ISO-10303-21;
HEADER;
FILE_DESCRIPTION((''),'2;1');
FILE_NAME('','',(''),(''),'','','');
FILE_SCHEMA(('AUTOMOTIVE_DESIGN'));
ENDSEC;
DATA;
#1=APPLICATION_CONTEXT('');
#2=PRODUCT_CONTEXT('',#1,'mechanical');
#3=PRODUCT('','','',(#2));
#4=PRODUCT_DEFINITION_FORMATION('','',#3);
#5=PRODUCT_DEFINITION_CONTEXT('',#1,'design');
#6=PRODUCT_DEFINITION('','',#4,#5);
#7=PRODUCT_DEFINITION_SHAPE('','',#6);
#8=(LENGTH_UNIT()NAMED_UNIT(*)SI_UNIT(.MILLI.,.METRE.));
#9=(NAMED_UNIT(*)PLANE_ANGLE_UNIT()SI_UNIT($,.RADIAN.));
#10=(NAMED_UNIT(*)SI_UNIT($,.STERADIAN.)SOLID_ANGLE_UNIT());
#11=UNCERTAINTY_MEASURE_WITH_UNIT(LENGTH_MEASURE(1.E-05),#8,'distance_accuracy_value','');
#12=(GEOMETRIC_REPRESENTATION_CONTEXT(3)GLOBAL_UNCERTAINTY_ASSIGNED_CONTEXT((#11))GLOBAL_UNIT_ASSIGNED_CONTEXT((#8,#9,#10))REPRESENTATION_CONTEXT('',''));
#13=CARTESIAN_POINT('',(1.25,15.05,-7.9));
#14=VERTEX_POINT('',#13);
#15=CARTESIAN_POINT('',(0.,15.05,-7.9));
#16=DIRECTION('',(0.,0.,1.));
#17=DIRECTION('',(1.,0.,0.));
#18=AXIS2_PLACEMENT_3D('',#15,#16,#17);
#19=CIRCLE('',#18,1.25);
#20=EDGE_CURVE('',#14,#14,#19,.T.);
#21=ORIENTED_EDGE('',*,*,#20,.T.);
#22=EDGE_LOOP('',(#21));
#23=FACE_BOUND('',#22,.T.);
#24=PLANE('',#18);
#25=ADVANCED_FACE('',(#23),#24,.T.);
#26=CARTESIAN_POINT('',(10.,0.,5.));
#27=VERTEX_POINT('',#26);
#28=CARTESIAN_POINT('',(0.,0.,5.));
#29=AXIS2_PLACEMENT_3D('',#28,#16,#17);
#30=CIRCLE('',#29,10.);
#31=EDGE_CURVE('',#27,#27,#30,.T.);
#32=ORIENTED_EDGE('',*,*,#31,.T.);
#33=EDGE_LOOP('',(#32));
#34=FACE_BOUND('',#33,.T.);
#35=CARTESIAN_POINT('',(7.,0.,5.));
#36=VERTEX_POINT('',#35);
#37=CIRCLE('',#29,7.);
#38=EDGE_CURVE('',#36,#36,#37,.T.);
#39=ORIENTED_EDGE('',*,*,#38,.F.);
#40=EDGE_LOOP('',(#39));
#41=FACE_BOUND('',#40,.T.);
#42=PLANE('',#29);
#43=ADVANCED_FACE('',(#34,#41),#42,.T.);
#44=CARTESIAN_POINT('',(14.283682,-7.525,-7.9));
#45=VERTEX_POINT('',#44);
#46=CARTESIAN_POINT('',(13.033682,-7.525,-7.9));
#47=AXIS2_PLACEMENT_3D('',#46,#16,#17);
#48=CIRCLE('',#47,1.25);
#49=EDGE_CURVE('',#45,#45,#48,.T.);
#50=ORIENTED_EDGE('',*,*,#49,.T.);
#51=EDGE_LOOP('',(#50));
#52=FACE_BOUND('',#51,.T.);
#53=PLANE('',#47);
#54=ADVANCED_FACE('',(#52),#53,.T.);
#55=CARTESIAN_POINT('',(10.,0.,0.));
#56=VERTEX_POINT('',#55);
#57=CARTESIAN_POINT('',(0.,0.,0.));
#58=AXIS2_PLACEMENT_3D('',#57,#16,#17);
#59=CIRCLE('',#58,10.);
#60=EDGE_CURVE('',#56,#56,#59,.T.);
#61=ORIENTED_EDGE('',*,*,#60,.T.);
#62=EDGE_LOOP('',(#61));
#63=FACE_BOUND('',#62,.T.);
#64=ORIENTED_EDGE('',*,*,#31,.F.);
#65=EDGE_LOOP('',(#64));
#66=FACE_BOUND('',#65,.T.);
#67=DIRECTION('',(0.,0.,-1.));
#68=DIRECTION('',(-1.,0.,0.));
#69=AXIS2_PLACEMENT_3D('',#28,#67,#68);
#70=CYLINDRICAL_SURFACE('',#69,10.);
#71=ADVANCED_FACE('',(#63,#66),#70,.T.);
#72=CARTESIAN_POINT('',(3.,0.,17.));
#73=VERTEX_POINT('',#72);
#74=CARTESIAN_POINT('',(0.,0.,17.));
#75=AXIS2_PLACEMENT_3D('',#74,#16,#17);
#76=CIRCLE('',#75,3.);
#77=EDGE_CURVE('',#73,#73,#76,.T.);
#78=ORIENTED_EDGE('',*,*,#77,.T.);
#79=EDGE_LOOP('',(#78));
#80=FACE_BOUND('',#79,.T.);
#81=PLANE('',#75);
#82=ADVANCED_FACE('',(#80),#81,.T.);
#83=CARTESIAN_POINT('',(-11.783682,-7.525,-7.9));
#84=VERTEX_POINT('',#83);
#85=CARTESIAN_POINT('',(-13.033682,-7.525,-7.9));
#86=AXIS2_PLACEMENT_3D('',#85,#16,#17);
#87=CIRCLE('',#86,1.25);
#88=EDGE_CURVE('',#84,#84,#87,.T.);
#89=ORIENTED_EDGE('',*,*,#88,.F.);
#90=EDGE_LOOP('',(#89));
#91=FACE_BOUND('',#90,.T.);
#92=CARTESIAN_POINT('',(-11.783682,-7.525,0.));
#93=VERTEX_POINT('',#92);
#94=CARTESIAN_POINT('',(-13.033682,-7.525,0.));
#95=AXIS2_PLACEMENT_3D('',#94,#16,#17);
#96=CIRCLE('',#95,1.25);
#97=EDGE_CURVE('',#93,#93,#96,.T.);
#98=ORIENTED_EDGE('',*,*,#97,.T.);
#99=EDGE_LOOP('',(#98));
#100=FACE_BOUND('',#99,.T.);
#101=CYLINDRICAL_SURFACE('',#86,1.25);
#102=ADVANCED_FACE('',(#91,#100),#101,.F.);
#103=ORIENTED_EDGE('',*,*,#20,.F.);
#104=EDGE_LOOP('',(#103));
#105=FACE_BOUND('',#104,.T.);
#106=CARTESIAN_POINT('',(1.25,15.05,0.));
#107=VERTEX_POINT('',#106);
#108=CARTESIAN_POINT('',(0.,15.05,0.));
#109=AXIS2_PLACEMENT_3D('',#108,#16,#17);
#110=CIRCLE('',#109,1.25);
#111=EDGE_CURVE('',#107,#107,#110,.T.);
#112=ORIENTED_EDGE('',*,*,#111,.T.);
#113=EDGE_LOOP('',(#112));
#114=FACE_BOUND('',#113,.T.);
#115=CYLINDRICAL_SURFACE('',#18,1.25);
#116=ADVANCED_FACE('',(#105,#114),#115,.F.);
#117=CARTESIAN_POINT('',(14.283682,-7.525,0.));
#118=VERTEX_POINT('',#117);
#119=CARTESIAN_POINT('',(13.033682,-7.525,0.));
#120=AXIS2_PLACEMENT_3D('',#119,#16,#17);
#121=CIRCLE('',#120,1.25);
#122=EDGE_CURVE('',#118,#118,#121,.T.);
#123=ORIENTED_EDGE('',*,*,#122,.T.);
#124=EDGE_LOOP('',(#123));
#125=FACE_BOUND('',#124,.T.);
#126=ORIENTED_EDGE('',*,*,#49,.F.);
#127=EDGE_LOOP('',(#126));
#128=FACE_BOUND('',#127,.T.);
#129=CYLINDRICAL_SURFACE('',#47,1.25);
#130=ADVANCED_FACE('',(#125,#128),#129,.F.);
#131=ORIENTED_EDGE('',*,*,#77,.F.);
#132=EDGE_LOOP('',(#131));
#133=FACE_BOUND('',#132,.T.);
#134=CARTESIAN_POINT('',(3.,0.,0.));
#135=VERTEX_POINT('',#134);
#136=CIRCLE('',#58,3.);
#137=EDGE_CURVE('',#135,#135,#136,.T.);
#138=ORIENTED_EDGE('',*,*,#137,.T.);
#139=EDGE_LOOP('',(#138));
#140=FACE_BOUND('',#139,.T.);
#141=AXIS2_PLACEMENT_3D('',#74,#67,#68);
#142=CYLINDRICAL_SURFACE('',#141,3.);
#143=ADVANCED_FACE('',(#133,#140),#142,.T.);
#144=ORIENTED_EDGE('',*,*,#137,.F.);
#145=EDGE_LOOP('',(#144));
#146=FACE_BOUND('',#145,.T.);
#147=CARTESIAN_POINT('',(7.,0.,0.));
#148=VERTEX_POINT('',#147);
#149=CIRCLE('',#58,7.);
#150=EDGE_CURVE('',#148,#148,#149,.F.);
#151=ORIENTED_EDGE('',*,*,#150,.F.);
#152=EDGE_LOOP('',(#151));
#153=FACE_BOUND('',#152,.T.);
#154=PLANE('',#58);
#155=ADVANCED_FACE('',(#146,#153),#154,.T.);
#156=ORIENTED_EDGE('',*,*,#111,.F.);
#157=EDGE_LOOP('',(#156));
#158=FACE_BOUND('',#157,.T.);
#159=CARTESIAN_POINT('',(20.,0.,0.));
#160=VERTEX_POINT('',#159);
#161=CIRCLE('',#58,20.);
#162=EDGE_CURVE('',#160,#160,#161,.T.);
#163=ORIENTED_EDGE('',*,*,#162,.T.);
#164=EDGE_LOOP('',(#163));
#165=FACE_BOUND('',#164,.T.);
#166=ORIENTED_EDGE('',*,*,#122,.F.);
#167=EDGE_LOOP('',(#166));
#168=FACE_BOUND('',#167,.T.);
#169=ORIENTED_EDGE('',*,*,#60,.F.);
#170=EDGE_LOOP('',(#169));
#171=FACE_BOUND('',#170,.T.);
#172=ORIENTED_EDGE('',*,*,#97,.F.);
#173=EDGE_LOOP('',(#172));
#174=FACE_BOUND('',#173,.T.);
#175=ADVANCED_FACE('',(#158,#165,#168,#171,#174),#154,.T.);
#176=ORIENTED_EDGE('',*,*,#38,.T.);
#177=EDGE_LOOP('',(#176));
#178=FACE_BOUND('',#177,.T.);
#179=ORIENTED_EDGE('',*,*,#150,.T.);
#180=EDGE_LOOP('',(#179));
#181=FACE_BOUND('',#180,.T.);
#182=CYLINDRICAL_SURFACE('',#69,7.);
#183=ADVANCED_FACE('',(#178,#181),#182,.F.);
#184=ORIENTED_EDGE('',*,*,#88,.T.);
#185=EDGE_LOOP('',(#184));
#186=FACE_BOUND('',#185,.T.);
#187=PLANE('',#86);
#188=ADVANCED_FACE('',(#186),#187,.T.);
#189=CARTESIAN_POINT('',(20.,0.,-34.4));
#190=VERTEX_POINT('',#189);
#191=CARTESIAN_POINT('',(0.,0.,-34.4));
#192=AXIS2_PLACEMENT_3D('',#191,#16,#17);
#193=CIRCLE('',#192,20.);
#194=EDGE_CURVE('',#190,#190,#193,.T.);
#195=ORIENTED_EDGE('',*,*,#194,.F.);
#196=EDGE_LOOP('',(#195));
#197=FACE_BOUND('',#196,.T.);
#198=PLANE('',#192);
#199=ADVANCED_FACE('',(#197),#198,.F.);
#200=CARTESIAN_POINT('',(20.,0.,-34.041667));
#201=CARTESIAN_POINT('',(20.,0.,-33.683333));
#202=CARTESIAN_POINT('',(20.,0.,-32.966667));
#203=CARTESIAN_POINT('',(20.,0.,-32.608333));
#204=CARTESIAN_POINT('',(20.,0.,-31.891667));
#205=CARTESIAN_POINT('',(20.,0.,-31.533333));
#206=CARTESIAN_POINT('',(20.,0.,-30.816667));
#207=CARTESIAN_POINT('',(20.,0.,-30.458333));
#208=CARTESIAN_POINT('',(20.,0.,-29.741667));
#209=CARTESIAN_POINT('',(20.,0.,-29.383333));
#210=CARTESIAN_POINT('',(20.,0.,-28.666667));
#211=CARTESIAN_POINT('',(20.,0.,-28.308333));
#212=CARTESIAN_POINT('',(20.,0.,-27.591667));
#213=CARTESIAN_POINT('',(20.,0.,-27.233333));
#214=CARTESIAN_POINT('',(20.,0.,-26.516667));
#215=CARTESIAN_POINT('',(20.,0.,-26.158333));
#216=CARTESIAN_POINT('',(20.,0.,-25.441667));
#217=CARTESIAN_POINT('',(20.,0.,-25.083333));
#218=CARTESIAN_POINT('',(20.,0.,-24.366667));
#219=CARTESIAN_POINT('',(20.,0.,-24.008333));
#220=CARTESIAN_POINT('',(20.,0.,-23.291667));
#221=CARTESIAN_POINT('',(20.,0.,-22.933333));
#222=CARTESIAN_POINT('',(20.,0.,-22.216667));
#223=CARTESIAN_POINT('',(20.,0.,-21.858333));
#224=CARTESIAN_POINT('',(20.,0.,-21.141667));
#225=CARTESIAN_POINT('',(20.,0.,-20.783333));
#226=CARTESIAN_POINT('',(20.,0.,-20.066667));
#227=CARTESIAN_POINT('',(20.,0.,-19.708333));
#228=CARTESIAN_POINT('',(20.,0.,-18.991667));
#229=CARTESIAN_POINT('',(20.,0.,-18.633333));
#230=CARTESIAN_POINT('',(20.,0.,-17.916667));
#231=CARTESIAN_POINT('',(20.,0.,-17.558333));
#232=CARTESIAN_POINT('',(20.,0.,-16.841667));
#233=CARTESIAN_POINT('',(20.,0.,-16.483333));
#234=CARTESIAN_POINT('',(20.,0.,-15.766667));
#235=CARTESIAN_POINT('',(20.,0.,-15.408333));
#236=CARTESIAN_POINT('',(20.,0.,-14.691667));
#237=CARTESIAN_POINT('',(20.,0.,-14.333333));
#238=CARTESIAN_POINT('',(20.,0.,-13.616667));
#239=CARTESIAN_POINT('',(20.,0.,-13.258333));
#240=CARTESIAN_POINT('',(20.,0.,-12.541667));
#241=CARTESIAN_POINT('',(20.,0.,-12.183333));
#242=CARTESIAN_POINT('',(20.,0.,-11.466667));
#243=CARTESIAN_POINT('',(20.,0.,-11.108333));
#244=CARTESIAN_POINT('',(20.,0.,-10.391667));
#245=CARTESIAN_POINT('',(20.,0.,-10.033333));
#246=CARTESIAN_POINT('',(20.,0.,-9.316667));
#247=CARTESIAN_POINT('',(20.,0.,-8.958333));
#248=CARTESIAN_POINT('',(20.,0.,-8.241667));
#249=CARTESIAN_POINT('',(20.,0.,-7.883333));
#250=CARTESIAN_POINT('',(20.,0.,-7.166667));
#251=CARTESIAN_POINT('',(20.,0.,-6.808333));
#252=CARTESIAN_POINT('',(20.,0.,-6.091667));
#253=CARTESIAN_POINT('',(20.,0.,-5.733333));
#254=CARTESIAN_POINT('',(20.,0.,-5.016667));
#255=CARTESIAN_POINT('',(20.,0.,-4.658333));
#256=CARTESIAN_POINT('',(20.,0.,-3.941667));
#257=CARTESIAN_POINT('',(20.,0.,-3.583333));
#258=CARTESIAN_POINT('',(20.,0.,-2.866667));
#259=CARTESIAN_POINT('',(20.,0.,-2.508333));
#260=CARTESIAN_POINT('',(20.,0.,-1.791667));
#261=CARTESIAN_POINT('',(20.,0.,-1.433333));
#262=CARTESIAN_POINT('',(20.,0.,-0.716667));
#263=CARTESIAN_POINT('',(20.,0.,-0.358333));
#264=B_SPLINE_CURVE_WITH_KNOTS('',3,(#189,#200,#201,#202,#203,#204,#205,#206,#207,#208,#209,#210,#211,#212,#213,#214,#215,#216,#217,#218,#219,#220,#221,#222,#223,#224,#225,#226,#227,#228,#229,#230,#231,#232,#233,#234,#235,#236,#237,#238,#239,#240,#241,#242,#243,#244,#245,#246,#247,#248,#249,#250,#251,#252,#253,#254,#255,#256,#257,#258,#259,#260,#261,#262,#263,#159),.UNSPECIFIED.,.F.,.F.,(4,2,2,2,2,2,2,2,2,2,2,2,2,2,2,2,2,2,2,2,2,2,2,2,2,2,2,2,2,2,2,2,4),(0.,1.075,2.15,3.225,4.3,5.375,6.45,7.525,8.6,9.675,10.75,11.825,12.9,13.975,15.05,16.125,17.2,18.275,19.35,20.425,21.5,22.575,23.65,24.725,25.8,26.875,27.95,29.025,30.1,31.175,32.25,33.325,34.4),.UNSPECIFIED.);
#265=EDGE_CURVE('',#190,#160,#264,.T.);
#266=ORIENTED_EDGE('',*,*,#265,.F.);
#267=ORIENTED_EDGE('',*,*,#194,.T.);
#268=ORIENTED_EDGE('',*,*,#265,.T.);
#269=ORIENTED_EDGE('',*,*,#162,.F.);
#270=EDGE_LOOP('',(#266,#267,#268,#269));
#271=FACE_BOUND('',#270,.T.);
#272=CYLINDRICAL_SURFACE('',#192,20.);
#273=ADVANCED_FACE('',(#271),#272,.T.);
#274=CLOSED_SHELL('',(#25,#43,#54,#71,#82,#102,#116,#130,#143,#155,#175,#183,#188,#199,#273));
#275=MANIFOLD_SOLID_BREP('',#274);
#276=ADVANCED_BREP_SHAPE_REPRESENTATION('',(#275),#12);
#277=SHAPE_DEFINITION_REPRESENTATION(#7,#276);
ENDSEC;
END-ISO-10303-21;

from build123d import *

# Parameters (mm, degrees)
ESQUISSE1_R             = 20
BOSS_EXTRU_1_DEPTH      = 34.4
ESQUISSE2_R             = 10
ESQUISSE2_R_2           = 7
BOSS_EXTRU_2_DEPTH      = 5
ESQUISSE3_R             = 3
BOSS_EXTRU_3_DEPTH      = 17
ESQUISSE4_R             = 1.25
ENL_V_MAT_EXTRU_1_DEPTH = 7.9


with BuildPart() as part:
    # Esquisse1 → Boss.-Extru.1 (new body)
    with BuildSketch(Plane.XY):
        Circle(ESQUISSE1_R)
    extrude(amount=-BOSS_EXTRU_1_DEPTH)

    # Esquisse2 → Boss.-Extru.2 (add)
    with BuildSketch(Plane.XY):
        Circle(ESQUISSE2_R)
        Circle(ESQUISSE2_R_2, mode=Mode.SUBTRACT)
    extrude(amount=BOSS_EXTRU_2_DEPTH)

    # Esquisse3 → Boss.-Extru.3 (add)
    with BuildSketch(Plane.XY):
        Circle(ESQUISSE3_R)
    extrude(amount=BOSS_EXTRU_3_DEPTH)

    # Esquisse4 → Enlèv. mat.-Extru.1 (cut)
    with BuildSketch(Plane.XY):
        with Locations((0, 15.05)):
            Circle(ESQUISSE4_R)
        with Locations((13.033682327, -7.525)):
            Circle(ESQUISSE4_R)
        with Locations((-13.033682327, -7.525)):
            Circle(ESQUISSE4_R)
    extrude(amount=-ENL_V_MAT_EXTRU_1_DEPTH, mode=Mode.SUBTRACT)


solid = part.part
